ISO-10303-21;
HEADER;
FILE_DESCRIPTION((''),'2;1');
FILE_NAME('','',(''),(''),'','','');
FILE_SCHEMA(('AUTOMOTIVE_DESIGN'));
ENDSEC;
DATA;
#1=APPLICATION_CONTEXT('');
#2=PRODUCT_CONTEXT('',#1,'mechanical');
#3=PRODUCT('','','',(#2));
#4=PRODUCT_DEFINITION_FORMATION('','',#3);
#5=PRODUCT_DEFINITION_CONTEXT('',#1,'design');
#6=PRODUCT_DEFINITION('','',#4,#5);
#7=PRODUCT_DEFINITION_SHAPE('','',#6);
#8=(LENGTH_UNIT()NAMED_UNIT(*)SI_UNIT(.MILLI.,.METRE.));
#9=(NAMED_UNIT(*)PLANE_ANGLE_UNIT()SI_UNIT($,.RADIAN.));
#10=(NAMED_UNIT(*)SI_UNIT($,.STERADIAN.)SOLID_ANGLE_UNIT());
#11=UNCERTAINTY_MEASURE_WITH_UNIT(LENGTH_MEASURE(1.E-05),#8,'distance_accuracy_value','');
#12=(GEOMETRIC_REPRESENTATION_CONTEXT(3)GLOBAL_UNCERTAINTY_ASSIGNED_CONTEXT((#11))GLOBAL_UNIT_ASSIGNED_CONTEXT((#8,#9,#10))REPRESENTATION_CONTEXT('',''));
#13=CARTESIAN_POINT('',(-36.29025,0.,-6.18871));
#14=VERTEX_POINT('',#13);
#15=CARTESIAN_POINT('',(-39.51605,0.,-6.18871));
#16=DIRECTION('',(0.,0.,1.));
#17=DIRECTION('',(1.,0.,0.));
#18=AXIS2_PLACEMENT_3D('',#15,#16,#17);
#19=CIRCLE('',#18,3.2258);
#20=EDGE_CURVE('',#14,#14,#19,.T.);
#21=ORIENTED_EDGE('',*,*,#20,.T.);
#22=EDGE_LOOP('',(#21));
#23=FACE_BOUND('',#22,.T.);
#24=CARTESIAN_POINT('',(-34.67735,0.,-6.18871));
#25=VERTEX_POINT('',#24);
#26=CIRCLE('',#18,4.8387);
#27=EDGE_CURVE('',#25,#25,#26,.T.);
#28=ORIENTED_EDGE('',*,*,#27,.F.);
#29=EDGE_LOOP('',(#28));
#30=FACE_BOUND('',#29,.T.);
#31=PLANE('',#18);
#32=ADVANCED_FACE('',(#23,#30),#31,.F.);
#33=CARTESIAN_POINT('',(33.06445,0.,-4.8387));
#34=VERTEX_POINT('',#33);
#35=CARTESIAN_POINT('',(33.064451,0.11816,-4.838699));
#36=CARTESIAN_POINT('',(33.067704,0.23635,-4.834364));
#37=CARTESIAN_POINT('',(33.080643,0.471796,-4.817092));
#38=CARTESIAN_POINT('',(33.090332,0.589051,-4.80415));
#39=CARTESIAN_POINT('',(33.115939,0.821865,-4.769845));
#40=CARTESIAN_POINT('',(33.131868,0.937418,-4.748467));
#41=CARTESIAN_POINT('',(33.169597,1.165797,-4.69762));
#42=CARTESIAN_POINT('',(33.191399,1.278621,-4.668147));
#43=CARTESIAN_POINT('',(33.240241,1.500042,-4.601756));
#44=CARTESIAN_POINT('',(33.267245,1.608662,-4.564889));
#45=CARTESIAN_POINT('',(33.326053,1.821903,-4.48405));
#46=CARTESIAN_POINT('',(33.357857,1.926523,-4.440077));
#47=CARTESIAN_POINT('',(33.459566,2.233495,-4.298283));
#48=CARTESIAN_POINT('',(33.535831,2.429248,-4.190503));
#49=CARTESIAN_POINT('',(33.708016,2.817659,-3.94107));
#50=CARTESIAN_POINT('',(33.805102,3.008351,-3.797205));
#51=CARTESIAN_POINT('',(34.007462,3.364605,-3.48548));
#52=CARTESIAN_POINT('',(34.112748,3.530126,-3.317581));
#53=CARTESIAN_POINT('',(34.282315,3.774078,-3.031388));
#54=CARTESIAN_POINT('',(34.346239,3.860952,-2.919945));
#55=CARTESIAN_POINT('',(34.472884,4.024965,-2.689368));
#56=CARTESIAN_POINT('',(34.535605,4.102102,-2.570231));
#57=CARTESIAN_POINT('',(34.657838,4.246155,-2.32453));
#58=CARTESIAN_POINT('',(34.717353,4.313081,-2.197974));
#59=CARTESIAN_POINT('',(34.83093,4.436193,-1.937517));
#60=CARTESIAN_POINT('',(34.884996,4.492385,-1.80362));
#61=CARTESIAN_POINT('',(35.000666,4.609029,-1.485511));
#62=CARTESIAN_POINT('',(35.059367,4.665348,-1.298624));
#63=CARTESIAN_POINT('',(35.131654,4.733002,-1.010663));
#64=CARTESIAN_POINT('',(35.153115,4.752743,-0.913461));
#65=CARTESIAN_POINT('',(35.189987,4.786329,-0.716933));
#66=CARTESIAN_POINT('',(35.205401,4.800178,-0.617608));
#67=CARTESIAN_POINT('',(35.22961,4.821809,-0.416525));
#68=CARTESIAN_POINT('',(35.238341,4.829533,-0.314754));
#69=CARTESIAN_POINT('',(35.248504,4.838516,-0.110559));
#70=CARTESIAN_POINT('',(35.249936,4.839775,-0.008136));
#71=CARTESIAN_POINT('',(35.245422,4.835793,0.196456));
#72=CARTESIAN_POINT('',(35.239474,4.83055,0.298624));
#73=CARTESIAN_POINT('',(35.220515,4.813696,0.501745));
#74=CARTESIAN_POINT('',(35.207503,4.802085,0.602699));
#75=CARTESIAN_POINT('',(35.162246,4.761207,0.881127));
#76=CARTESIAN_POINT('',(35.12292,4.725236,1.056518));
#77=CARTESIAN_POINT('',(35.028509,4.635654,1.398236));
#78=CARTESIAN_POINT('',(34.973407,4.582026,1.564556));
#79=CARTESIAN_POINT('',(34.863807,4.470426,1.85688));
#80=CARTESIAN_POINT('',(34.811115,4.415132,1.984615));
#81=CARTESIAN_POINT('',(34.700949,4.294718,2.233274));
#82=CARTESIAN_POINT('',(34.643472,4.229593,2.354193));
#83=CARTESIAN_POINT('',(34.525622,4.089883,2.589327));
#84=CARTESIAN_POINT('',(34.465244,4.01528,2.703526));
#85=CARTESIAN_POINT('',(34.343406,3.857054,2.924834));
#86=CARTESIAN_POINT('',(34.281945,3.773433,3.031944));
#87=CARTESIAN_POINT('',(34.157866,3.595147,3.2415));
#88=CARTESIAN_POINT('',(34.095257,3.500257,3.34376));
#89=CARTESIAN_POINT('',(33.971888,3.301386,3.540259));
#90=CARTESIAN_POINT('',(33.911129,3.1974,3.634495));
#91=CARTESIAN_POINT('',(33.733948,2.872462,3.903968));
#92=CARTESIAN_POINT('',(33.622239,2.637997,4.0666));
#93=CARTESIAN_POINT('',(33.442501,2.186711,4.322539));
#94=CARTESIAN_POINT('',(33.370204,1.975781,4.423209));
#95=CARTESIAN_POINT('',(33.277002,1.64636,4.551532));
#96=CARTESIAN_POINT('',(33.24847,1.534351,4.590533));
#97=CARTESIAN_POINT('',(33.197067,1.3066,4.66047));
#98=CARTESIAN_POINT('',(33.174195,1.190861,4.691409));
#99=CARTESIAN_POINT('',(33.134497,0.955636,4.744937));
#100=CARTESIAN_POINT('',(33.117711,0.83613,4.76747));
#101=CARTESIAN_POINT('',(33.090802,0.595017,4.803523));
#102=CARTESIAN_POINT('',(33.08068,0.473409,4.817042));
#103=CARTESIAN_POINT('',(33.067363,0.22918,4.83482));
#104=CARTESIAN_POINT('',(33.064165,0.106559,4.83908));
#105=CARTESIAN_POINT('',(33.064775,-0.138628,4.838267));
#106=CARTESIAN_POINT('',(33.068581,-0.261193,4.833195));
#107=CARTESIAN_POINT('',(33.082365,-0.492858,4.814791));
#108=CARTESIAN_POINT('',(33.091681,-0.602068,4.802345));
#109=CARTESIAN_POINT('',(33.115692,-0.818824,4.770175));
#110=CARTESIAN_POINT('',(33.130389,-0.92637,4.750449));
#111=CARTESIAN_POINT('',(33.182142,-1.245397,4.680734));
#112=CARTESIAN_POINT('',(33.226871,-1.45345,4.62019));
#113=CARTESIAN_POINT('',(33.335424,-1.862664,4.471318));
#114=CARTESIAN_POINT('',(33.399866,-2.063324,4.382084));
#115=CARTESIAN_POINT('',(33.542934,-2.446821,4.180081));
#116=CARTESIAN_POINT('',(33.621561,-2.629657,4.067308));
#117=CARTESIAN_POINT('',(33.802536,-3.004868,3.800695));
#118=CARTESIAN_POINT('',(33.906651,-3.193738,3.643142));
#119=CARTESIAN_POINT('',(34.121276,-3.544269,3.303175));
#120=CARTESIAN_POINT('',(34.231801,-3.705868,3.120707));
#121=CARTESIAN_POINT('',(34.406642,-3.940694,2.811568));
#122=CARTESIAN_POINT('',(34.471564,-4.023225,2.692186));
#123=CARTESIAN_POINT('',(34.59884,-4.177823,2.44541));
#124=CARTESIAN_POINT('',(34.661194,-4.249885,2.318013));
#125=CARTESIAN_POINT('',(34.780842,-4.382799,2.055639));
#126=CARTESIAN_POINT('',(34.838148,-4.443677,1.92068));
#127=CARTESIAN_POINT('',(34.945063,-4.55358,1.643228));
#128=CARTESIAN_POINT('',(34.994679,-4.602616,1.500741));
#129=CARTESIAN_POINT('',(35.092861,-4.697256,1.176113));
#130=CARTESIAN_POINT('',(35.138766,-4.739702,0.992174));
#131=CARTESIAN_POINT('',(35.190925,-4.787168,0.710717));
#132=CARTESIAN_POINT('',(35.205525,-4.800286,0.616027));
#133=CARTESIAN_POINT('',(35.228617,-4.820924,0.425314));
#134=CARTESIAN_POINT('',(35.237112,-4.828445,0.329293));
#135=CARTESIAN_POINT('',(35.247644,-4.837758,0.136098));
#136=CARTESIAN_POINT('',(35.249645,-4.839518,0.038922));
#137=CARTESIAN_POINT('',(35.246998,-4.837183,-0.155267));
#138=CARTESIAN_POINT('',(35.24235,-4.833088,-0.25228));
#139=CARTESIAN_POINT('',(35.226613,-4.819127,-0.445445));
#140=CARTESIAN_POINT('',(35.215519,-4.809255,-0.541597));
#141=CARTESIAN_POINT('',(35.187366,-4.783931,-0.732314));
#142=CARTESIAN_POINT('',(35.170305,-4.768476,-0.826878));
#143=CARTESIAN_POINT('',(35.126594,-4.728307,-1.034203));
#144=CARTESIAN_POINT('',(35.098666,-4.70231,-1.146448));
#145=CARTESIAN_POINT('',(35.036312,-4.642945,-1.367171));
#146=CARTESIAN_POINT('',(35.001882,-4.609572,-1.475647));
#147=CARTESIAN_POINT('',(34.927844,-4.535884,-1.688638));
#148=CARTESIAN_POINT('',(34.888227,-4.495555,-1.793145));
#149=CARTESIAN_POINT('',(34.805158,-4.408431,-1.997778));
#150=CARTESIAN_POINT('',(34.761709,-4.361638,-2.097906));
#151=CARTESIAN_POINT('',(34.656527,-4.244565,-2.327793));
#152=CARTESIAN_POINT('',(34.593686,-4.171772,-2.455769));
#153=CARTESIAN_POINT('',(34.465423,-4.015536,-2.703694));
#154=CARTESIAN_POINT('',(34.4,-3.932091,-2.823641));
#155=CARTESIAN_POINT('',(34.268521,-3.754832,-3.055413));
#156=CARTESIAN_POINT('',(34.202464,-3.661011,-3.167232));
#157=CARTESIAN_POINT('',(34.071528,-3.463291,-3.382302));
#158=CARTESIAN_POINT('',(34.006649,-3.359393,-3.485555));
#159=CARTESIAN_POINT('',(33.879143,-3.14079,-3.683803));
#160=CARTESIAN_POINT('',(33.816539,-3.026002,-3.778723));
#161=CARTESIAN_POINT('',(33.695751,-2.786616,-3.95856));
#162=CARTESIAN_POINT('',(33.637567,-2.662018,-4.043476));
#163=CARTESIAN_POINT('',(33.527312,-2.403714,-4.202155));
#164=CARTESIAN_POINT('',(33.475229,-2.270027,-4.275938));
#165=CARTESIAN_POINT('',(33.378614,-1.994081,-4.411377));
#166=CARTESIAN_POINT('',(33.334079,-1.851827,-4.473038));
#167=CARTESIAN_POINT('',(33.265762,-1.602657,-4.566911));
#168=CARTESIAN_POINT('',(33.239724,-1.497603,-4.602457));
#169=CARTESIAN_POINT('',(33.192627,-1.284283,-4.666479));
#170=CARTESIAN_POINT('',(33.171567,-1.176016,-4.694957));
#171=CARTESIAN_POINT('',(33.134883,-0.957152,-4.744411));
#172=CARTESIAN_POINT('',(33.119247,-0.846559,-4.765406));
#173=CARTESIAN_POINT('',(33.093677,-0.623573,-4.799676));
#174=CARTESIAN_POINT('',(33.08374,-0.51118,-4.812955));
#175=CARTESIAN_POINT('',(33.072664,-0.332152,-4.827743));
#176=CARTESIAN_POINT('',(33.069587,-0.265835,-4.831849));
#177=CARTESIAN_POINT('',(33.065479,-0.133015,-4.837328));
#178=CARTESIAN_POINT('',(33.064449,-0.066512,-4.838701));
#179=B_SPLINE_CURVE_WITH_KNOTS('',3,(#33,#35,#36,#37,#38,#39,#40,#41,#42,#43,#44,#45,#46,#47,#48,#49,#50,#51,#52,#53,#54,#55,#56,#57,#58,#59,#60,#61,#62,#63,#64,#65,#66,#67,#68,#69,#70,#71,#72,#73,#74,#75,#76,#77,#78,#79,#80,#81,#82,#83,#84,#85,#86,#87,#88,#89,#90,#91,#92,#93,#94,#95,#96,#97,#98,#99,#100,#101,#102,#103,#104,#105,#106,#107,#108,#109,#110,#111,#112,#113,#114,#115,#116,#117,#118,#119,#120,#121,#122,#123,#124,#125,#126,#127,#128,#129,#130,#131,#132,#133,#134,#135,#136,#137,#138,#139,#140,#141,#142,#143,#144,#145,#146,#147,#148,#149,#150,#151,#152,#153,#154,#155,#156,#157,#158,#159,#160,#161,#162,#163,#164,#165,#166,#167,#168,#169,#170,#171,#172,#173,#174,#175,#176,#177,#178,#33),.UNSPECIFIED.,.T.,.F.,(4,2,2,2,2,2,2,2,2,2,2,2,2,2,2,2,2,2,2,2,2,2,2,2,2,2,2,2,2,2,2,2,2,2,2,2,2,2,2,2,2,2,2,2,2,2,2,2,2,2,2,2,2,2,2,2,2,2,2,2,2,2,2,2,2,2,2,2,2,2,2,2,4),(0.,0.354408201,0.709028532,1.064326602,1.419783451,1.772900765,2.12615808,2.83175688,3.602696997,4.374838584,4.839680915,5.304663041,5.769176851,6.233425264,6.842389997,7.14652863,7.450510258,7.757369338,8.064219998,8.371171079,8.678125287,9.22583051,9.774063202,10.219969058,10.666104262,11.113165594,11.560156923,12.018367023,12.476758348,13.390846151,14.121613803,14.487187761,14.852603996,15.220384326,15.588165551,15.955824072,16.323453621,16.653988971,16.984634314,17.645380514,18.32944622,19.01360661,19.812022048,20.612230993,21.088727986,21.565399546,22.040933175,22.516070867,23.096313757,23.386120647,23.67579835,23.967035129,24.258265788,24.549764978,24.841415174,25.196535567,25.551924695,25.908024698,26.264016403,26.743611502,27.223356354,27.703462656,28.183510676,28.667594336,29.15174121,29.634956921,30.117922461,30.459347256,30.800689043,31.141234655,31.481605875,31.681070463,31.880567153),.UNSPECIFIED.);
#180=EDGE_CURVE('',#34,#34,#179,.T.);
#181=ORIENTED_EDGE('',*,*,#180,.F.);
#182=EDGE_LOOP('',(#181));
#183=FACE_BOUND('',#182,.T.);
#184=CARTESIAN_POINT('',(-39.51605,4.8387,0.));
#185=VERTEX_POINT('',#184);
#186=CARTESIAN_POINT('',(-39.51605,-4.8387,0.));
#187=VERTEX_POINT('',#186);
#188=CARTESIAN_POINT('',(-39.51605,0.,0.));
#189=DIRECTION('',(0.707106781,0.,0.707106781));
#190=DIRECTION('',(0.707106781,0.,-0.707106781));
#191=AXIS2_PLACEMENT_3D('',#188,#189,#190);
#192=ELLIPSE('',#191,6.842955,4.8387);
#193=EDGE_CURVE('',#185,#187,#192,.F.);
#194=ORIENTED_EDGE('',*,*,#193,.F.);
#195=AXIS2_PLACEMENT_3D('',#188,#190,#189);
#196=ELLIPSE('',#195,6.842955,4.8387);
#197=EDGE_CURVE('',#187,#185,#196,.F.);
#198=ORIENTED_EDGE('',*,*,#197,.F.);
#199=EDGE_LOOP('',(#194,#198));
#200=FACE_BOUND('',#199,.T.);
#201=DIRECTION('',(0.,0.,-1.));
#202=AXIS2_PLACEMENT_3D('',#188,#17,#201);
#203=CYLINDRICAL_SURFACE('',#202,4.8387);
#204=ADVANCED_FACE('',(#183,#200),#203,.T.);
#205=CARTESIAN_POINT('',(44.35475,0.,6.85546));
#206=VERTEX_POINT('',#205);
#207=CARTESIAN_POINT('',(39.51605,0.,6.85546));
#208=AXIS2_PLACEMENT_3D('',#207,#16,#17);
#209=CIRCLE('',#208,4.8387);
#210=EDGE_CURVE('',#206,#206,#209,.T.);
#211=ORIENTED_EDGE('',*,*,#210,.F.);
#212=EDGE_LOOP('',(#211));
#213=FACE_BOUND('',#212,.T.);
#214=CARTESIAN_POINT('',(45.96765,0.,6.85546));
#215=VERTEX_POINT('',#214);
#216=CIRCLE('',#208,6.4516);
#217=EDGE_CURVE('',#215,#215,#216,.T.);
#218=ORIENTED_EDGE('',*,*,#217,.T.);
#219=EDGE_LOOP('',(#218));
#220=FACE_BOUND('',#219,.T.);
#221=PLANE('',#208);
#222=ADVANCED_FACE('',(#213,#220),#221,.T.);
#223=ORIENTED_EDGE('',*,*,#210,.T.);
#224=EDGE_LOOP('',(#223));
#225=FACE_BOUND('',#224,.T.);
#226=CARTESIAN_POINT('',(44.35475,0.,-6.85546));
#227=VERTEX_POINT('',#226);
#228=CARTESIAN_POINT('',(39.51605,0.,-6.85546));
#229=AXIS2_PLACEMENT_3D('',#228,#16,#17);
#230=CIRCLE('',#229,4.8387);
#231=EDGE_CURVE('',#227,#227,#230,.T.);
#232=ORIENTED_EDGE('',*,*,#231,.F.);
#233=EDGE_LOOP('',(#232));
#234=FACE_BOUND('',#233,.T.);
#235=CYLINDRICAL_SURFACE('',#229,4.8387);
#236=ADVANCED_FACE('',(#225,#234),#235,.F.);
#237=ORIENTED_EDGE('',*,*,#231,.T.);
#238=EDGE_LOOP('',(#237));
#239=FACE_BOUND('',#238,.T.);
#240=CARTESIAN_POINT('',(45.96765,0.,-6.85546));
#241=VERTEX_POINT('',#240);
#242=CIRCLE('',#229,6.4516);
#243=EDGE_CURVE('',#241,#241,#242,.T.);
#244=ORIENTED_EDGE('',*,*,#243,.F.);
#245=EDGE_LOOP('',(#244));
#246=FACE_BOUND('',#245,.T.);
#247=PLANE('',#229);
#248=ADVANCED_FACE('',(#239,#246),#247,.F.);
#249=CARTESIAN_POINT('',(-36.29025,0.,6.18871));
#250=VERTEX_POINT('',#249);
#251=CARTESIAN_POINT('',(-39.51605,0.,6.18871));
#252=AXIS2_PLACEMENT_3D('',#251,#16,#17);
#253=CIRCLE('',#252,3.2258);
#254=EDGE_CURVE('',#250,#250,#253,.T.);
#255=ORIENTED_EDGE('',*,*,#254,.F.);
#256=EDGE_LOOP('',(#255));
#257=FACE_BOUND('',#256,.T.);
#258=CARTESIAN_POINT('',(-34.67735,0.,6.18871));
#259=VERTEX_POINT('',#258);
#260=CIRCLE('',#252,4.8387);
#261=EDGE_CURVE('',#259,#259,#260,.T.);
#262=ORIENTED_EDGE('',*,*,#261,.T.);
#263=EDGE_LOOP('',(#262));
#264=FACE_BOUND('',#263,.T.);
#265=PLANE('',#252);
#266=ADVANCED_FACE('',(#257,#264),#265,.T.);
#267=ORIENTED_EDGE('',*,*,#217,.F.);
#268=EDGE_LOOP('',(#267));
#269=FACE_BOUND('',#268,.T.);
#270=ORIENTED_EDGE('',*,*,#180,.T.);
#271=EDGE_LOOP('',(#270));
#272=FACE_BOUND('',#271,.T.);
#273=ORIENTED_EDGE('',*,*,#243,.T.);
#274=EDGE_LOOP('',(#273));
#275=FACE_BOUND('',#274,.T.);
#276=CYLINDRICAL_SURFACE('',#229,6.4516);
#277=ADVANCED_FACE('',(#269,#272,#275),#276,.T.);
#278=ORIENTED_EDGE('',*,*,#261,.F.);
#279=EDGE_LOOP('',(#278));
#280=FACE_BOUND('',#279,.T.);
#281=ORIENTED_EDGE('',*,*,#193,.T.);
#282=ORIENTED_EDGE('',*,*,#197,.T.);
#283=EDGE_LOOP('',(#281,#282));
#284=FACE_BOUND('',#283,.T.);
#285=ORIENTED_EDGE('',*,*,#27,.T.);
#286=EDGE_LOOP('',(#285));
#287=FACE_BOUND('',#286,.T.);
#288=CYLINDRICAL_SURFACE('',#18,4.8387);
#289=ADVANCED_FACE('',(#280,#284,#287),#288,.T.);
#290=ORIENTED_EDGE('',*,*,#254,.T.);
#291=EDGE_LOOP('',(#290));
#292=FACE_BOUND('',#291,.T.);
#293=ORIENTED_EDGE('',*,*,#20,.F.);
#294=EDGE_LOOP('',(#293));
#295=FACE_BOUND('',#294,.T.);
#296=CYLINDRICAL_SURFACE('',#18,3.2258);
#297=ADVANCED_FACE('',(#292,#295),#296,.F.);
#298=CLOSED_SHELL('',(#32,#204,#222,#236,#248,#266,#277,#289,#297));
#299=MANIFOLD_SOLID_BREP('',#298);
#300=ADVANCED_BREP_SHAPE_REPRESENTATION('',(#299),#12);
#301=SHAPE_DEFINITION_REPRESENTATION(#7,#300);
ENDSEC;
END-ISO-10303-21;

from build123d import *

# Parameters (mm, degrees)
BOSS_EXTRUDE1_DEPTH      = 39.51605
BOSS_EXTRUDE1_DEPTH_BACK = 39.51605
SKETCH1_R                = 4.8387
BOSS_EXTRUDE2_DEPTH      = 6.18871
BOSS_EXTRUDE2_DEPTH_BACK = 6.18871
SKETCH2_R                = 4.8387
SKETCH3_R                = 3.2258
CUT_EXTRUDE1_DEPTH       = 47.302887503
BOSS_EXTRUDE3_DEPTH      = 6.85546
BOSS_EXTRUDE3_DEPTH_BACK = 6.85546
SKETCH4_R                = 6.4516
SKETCH5_R                = 4.8387
CUT_EXTRUDE2_DEPTH       = 49.400798852


with BuildPart() as part:
    # Sketch1 → Boss-Extrude1 (new, two sides: drawn at the far end of the back side and taken through both)
    with BuildSketch(Plane(origin=(0, 0, 0), x_dir=(0, 0, -1), z_dir=(1, 0, 0)).offset(-BOSS_EXTRUDE1_DEPTH_BACK)):
        Circle(SKETCH1_R)
    extrude(amount=BOSS_EXTRUDE1_DEPTH + BOSS_EXTRUDE1_DEPTH_BACK)

    # Sketch2 → Boss-Extrude2 (add, two sides: drawn at the far end of the back side and taken through both)
    with BuildSketch(Plane.XY.offset(-BOSS_EXTRUDE2_DEPTH_BACK)):
        with Locations((-39.51605, 0)):
            Circle(SKETCH2_R)
    extrude(amount=BOSS_EXTRUDE2_DEPTH + BOSS_EXTRUDE2_DEPTH_BACK)

    # Sketch3 → Cut-Extrude1 (cut, through all)
    with BuildSketch(Plane.XY.offset(6.18871)):
        with Locations((-39.51605, 0)):
            Circle(SKETCH3_R)
    extrude(amount=-CUT_EXTRUDE1_DEPTH, mode=Mode.SUBTRACT)

    # Sketch4 → Boss-Extrude3 (add, two sides: drawn at the far end of the back side and taken through both)
    with BuildSketch(Plane.XY.offset(-BOSS_EXTRUDE3_DEPTH_BACK)):
        with Locations((39.51605, 0)):
            Circle(SKETCH4_R)
    extrude(amount=BOSS_EXTRUDE3_DEPTH + BOSS_EXTRUDE3_DEPTH_BACK)

    # Sketch5 → Cut-Extrude2 (cut, through all)
    with BuildSketch(Plane.XY.offset(6.85546)):
        with Locations((39.51605, 0)):
            Circle(SKETCH5_R)
    extrude(amount=-CUT_EXTRUDE2_DEPTH, mode=Mode.SUBTRACT)


solid = part.part
